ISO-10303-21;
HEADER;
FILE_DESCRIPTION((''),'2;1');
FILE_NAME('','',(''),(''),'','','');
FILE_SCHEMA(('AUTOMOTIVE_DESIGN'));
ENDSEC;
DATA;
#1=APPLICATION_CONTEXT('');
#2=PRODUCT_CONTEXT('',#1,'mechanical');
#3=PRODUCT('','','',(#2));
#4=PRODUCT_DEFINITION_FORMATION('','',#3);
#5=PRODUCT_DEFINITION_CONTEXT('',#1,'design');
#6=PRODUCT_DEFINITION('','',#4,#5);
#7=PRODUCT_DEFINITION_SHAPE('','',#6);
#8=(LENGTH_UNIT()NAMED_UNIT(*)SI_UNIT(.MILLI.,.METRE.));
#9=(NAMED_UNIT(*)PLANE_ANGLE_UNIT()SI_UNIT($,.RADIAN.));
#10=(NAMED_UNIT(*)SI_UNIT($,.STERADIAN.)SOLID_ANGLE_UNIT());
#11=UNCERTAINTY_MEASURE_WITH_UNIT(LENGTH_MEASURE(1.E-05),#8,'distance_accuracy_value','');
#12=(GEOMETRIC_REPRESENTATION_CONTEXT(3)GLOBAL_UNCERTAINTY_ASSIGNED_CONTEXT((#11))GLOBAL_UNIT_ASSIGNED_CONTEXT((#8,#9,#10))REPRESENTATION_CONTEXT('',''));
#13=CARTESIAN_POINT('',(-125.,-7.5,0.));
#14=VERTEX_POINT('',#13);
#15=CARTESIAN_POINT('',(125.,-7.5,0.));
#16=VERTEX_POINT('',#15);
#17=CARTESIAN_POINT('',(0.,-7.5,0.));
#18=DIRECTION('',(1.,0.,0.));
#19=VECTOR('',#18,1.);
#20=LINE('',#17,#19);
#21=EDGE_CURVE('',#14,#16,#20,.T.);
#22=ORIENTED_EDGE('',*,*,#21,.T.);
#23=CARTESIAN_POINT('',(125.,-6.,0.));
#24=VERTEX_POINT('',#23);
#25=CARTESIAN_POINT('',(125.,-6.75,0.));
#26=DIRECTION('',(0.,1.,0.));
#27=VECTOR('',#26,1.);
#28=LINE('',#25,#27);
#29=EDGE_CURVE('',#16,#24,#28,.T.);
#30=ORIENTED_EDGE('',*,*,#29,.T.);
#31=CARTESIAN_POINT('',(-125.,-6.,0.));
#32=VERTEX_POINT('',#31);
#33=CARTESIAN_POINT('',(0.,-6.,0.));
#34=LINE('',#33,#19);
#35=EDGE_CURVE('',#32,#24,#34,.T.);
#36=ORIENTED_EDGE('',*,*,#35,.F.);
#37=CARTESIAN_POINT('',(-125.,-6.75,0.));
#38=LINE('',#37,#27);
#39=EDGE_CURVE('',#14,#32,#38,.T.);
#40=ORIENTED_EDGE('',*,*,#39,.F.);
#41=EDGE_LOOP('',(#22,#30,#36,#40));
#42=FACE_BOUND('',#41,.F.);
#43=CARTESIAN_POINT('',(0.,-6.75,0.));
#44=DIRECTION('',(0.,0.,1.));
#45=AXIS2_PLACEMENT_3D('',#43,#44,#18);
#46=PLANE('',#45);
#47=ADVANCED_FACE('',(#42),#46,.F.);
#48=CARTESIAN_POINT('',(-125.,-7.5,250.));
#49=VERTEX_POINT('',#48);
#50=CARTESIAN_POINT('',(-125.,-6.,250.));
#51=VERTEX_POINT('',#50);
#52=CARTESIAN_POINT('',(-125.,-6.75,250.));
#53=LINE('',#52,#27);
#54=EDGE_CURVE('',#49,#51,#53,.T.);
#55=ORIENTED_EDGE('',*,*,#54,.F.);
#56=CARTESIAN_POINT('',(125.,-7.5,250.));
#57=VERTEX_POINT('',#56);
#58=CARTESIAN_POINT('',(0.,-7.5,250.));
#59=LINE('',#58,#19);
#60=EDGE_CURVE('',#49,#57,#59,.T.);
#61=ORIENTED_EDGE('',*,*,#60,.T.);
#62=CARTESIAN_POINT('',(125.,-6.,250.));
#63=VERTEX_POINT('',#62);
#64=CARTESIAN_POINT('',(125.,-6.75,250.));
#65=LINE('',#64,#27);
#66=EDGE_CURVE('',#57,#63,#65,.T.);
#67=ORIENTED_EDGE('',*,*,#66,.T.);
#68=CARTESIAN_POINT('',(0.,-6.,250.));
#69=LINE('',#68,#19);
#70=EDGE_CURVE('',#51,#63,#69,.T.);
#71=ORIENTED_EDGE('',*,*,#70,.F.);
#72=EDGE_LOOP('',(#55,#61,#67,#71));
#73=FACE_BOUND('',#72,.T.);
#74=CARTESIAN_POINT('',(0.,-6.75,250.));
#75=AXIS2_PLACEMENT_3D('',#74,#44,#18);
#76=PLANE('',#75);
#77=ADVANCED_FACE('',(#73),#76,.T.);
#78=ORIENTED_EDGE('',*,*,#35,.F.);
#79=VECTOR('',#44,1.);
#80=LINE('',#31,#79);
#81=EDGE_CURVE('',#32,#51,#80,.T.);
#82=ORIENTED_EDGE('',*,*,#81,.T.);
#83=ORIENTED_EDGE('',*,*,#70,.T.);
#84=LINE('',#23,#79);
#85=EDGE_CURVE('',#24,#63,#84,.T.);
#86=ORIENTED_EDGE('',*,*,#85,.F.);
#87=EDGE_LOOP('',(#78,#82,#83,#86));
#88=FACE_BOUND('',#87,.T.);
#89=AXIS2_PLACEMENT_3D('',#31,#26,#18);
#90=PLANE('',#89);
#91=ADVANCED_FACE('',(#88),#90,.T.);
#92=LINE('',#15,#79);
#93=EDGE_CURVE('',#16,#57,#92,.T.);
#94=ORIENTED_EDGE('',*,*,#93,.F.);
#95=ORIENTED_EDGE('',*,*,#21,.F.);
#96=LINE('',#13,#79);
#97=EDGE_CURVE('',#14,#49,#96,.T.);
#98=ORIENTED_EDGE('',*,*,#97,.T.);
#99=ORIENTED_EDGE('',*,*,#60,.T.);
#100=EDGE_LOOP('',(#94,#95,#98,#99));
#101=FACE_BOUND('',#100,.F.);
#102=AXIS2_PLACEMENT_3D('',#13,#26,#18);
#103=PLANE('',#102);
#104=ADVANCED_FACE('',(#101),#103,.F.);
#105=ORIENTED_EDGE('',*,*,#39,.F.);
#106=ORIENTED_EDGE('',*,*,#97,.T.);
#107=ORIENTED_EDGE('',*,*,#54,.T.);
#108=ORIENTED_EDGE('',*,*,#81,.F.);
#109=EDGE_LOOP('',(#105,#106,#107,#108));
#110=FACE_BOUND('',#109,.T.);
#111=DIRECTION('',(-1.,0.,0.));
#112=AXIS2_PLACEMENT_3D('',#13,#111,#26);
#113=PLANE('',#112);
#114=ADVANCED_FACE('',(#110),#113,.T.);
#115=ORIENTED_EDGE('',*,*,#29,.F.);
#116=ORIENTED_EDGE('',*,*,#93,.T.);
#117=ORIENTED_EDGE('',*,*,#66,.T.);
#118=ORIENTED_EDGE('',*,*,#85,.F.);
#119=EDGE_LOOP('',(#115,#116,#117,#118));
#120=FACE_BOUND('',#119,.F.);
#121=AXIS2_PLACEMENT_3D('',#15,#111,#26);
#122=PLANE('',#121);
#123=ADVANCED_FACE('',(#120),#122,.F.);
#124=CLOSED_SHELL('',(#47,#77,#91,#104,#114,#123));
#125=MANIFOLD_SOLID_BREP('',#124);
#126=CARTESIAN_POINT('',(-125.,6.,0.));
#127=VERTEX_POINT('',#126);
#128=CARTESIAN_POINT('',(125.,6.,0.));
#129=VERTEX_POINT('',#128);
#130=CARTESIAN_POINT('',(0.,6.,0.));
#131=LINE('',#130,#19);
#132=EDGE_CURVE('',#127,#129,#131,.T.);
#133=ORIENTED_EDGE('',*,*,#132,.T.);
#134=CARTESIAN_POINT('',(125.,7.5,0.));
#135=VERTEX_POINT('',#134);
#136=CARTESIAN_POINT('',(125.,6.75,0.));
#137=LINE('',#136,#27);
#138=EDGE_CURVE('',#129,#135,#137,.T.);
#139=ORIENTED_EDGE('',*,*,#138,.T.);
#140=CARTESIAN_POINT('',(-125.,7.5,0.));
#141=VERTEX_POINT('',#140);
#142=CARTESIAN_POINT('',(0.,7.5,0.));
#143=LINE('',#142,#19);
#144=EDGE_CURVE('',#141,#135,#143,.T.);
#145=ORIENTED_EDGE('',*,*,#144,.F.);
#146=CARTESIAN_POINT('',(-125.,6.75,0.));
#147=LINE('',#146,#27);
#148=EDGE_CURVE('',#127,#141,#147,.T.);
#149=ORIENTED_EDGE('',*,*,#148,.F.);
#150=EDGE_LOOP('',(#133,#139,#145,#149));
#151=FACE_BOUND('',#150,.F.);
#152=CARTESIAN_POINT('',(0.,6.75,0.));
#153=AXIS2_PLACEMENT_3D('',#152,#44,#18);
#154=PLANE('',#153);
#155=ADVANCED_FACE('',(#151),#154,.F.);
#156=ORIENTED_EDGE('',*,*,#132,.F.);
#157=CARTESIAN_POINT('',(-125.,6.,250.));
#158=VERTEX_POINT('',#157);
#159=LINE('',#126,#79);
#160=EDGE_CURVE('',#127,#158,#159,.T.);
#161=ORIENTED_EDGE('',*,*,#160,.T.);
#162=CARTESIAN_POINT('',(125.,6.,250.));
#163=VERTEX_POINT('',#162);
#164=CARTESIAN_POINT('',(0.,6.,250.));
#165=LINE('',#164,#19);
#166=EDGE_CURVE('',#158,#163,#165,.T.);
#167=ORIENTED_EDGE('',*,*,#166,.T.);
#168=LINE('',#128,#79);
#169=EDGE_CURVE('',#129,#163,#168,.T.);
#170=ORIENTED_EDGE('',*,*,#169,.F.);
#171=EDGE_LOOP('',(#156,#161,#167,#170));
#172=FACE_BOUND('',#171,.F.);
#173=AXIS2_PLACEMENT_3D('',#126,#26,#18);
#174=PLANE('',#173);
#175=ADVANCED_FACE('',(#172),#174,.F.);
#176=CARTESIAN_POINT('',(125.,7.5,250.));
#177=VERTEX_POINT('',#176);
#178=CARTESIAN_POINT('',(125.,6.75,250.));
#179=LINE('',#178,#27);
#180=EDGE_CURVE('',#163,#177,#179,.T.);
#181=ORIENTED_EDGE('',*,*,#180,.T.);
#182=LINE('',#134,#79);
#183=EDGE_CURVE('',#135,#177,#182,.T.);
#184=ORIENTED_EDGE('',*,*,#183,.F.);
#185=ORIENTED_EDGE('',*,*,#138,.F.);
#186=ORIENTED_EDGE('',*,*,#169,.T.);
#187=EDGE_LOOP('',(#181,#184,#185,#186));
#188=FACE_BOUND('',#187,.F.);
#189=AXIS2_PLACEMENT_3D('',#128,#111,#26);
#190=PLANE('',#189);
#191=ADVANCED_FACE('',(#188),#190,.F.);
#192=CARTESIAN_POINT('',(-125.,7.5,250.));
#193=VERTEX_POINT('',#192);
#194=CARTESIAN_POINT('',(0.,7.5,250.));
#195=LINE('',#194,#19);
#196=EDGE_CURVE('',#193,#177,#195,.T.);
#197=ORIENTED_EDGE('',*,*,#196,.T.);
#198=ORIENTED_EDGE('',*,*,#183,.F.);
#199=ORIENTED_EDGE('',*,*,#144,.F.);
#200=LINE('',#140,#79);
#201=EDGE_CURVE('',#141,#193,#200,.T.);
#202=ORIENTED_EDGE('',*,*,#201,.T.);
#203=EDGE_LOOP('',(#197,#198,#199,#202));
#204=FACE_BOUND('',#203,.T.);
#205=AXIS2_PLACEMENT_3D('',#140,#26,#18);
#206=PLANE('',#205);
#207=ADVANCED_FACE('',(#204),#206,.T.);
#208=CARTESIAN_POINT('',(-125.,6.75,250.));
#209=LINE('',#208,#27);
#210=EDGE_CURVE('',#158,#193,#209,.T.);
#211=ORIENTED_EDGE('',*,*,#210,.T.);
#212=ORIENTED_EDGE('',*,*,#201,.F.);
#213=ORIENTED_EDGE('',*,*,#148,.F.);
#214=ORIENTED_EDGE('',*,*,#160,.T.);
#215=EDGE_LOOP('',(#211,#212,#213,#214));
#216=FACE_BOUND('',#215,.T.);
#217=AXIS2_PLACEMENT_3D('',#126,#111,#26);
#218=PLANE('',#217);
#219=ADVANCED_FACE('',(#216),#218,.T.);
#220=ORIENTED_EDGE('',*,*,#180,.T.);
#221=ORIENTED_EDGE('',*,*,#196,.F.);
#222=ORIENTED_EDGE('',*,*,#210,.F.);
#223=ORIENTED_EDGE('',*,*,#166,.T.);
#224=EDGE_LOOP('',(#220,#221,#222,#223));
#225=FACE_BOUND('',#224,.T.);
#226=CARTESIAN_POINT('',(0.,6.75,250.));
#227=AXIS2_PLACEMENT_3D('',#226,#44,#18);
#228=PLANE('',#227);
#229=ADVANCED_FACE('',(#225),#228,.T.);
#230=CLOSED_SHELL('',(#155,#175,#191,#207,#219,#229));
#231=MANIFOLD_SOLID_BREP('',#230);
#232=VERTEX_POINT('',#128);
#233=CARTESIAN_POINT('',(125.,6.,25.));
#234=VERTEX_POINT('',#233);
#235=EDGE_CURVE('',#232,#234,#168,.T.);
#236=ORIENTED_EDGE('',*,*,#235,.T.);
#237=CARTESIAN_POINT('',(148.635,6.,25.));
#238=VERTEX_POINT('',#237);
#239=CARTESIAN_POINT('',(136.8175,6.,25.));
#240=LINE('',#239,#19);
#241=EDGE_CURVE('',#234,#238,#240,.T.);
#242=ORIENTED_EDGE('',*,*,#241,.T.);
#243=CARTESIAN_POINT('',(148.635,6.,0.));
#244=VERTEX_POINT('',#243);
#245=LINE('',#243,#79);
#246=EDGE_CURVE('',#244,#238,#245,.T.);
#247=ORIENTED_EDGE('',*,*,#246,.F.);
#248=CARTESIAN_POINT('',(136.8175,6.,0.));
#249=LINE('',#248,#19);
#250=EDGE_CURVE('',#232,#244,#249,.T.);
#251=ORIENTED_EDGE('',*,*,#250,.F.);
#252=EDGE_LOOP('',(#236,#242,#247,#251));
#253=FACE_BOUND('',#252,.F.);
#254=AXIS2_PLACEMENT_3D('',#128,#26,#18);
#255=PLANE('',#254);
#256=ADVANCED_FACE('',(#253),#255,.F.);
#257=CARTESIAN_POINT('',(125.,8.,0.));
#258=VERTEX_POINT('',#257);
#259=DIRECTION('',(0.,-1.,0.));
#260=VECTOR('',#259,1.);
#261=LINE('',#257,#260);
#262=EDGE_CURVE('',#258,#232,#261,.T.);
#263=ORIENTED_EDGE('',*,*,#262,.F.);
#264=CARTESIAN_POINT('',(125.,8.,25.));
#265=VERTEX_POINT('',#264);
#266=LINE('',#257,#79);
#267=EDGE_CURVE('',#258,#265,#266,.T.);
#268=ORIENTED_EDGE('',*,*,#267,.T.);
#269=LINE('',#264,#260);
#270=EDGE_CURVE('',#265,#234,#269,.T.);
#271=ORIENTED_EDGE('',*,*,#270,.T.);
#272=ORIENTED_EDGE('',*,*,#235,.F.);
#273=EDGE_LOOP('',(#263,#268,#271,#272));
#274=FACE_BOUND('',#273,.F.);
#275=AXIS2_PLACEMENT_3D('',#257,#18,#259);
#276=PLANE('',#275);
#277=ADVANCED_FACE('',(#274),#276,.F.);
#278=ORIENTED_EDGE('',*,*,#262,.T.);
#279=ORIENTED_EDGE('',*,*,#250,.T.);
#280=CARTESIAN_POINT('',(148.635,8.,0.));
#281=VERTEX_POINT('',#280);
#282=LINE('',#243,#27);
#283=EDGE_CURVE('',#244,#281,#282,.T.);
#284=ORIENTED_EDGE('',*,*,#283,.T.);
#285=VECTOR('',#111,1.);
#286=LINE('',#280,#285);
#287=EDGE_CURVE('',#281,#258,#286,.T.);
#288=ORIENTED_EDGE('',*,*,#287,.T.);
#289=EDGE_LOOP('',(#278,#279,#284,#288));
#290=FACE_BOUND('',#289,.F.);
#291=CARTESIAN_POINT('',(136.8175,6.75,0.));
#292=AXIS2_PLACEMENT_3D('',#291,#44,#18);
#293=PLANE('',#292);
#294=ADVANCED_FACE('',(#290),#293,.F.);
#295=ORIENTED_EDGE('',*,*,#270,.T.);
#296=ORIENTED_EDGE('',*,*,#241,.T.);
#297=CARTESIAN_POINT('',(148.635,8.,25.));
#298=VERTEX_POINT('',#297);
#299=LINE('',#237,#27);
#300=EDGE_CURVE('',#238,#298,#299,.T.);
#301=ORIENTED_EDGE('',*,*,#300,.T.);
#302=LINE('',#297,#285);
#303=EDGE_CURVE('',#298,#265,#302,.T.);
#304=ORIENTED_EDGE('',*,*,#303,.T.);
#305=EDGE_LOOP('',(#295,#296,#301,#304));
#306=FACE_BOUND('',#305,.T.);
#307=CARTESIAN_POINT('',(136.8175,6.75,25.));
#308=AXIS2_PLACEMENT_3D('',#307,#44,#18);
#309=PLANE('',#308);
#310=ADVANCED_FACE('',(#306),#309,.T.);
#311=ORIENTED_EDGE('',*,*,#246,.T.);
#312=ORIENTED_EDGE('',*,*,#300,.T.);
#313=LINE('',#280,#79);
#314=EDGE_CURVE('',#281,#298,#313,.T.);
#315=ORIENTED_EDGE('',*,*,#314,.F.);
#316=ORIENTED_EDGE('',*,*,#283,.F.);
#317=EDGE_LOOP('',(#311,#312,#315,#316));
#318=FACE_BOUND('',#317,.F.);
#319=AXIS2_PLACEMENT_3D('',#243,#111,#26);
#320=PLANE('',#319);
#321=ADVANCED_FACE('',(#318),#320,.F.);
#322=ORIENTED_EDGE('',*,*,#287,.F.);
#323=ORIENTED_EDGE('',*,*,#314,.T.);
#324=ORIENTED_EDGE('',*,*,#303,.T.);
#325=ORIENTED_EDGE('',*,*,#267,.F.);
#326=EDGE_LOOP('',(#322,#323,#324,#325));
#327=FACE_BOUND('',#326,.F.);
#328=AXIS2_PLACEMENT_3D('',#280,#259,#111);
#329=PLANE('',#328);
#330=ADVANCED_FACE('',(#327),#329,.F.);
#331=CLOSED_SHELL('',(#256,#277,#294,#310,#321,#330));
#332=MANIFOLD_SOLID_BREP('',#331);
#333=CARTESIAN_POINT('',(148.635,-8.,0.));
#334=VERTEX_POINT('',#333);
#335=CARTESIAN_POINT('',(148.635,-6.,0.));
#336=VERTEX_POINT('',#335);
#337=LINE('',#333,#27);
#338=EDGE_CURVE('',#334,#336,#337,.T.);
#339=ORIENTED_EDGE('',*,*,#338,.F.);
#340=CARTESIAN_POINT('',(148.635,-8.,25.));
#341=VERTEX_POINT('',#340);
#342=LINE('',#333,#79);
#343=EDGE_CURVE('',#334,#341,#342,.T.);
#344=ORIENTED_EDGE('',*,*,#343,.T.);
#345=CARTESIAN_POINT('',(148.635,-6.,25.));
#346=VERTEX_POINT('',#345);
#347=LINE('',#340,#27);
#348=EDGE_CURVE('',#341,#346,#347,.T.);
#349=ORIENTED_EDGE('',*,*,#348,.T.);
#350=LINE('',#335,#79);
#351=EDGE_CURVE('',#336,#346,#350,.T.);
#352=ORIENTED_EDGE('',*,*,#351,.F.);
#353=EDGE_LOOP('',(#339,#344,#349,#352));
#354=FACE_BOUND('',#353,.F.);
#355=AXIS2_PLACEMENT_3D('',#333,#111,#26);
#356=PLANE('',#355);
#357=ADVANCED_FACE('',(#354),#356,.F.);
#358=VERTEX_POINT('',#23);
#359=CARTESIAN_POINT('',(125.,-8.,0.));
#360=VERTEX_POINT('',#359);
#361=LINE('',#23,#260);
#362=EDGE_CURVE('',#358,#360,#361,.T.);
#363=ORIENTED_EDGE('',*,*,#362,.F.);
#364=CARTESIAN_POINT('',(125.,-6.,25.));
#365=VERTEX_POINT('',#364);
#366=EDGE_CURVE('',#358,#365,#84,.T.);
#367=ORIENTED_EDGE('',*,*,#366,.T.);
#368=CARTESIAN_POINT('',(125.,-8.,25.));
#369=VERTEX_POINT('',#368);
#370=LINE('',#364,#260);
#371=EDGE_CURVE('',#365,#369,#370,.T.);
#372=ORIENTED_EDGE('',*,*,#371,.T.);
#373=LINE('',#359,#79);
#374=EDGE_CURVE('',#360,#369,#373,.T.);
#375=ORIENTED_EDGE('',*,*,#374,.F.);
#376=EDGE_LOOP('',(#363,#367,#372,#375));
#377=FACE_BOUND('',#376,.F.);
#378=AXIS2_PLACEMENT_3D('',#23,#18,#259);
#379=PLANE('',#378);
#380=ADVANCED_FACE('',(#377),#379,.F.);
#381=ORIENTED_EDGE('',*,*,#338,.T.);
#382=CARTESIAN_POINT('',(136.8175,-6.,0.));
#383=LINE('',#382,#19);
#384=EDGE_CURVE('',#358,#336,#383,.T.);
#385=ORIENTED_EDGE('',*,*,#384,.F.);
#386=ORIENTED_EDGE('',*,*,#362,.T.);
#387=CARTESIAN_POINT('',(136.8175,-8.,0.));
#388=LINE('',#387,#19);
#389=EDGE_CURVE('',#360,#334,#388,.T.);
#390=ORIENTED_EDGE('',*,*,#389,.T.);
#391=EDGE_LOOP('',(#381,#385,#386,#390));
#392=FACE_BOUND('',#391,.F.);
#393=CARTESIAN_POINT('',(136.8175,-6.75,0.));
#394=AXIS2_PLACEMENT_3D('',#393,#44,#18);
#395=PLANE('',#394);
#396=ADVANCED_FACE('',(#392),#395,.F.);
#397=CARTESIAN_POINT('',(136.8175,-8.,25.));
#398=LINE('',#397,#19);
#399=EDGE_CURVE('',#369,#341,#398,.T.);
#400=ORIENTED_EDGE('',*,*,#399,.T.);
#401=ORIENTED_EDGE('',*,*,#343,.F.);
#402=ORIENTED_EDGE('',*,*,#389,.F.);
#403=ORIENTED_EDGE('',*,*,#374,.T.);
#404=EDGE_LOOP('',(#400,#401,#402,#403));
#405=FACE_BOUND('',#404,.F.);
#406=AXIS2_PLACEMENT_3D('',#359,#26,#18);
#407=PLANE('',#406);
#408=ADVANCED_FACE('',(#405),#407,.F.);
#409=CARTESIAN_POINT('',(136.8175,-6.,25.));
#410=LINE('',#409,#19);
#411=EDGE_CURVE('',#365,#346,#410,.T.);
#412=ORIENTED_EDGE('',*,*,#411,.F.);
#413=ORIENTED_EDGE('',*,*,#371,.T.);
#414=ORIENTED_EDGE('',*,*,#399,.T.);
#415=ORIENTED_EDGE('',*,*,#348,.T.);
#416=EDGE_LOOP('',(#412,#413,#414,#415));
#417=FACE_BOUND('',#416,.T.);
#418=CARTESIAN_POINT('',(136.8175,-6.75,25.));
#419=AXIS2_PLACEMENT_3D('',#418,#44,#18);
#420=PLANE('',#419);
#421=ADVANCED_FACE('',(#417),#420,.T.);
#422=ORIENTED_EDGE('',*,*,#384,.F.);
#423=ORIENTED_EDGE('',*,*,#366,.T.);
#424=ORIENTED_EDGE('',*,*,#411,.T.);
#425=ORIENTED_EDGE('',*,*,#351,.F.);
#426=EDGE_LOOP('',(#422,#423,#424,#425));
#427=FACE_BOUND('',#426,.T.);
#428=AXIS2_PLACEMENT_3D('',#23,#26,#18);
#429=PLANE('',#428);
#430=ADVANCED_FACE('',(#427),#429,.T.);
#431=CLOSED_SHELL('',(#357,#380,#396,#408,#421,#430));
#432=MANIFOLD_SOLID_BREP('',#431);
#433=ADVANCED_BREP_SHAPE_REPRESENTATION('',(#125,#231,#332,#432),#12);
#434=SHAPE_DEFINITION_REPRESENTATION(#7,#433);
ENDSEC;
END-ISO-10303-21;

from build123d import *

# Parameters (mm, degrees)
F0_W     = 250
F0_H     = 1.5
F1_DEPTH = 250
F0_W_2   = 23.635
F0_H_2   = 0.5
F2_DEPTH = 25


with BuildPart() as f1:
    # F0 (on Top) → F1 (new body)
    with BuildSketch(Plane.XY):
        with Locations((0, -6.75)):
            Rectangle(F0_W, F0_H)
        with Locations((0, 6.75)):
            Rectangle(F0_W, F0_H)
    extrude(amount=F1_DEPTH)


with BuildPart() as f2:
    # F0 (on Top) → F2 (new body)
    with BuildSketch(Plane.XY):
        with Locations((136.8175, 6.75)):
            Rectangle(F0_W_2, F0_H)
        with Locations((136.8175, -6.75)):
            Rectangle(F0_W_2, F0_H)
        with Locations((136.8175, -7.75)):
            Rectangle(F0_W_2, F0_H_2)
        Polygon((125, 8), (125, 7.5), (148.635, 7.5), (148.635, 8), (148.272693, 8), align=None)
    extrude(amount=F2_DEPTH)


solid = Compound([f1.part, f2.part])
